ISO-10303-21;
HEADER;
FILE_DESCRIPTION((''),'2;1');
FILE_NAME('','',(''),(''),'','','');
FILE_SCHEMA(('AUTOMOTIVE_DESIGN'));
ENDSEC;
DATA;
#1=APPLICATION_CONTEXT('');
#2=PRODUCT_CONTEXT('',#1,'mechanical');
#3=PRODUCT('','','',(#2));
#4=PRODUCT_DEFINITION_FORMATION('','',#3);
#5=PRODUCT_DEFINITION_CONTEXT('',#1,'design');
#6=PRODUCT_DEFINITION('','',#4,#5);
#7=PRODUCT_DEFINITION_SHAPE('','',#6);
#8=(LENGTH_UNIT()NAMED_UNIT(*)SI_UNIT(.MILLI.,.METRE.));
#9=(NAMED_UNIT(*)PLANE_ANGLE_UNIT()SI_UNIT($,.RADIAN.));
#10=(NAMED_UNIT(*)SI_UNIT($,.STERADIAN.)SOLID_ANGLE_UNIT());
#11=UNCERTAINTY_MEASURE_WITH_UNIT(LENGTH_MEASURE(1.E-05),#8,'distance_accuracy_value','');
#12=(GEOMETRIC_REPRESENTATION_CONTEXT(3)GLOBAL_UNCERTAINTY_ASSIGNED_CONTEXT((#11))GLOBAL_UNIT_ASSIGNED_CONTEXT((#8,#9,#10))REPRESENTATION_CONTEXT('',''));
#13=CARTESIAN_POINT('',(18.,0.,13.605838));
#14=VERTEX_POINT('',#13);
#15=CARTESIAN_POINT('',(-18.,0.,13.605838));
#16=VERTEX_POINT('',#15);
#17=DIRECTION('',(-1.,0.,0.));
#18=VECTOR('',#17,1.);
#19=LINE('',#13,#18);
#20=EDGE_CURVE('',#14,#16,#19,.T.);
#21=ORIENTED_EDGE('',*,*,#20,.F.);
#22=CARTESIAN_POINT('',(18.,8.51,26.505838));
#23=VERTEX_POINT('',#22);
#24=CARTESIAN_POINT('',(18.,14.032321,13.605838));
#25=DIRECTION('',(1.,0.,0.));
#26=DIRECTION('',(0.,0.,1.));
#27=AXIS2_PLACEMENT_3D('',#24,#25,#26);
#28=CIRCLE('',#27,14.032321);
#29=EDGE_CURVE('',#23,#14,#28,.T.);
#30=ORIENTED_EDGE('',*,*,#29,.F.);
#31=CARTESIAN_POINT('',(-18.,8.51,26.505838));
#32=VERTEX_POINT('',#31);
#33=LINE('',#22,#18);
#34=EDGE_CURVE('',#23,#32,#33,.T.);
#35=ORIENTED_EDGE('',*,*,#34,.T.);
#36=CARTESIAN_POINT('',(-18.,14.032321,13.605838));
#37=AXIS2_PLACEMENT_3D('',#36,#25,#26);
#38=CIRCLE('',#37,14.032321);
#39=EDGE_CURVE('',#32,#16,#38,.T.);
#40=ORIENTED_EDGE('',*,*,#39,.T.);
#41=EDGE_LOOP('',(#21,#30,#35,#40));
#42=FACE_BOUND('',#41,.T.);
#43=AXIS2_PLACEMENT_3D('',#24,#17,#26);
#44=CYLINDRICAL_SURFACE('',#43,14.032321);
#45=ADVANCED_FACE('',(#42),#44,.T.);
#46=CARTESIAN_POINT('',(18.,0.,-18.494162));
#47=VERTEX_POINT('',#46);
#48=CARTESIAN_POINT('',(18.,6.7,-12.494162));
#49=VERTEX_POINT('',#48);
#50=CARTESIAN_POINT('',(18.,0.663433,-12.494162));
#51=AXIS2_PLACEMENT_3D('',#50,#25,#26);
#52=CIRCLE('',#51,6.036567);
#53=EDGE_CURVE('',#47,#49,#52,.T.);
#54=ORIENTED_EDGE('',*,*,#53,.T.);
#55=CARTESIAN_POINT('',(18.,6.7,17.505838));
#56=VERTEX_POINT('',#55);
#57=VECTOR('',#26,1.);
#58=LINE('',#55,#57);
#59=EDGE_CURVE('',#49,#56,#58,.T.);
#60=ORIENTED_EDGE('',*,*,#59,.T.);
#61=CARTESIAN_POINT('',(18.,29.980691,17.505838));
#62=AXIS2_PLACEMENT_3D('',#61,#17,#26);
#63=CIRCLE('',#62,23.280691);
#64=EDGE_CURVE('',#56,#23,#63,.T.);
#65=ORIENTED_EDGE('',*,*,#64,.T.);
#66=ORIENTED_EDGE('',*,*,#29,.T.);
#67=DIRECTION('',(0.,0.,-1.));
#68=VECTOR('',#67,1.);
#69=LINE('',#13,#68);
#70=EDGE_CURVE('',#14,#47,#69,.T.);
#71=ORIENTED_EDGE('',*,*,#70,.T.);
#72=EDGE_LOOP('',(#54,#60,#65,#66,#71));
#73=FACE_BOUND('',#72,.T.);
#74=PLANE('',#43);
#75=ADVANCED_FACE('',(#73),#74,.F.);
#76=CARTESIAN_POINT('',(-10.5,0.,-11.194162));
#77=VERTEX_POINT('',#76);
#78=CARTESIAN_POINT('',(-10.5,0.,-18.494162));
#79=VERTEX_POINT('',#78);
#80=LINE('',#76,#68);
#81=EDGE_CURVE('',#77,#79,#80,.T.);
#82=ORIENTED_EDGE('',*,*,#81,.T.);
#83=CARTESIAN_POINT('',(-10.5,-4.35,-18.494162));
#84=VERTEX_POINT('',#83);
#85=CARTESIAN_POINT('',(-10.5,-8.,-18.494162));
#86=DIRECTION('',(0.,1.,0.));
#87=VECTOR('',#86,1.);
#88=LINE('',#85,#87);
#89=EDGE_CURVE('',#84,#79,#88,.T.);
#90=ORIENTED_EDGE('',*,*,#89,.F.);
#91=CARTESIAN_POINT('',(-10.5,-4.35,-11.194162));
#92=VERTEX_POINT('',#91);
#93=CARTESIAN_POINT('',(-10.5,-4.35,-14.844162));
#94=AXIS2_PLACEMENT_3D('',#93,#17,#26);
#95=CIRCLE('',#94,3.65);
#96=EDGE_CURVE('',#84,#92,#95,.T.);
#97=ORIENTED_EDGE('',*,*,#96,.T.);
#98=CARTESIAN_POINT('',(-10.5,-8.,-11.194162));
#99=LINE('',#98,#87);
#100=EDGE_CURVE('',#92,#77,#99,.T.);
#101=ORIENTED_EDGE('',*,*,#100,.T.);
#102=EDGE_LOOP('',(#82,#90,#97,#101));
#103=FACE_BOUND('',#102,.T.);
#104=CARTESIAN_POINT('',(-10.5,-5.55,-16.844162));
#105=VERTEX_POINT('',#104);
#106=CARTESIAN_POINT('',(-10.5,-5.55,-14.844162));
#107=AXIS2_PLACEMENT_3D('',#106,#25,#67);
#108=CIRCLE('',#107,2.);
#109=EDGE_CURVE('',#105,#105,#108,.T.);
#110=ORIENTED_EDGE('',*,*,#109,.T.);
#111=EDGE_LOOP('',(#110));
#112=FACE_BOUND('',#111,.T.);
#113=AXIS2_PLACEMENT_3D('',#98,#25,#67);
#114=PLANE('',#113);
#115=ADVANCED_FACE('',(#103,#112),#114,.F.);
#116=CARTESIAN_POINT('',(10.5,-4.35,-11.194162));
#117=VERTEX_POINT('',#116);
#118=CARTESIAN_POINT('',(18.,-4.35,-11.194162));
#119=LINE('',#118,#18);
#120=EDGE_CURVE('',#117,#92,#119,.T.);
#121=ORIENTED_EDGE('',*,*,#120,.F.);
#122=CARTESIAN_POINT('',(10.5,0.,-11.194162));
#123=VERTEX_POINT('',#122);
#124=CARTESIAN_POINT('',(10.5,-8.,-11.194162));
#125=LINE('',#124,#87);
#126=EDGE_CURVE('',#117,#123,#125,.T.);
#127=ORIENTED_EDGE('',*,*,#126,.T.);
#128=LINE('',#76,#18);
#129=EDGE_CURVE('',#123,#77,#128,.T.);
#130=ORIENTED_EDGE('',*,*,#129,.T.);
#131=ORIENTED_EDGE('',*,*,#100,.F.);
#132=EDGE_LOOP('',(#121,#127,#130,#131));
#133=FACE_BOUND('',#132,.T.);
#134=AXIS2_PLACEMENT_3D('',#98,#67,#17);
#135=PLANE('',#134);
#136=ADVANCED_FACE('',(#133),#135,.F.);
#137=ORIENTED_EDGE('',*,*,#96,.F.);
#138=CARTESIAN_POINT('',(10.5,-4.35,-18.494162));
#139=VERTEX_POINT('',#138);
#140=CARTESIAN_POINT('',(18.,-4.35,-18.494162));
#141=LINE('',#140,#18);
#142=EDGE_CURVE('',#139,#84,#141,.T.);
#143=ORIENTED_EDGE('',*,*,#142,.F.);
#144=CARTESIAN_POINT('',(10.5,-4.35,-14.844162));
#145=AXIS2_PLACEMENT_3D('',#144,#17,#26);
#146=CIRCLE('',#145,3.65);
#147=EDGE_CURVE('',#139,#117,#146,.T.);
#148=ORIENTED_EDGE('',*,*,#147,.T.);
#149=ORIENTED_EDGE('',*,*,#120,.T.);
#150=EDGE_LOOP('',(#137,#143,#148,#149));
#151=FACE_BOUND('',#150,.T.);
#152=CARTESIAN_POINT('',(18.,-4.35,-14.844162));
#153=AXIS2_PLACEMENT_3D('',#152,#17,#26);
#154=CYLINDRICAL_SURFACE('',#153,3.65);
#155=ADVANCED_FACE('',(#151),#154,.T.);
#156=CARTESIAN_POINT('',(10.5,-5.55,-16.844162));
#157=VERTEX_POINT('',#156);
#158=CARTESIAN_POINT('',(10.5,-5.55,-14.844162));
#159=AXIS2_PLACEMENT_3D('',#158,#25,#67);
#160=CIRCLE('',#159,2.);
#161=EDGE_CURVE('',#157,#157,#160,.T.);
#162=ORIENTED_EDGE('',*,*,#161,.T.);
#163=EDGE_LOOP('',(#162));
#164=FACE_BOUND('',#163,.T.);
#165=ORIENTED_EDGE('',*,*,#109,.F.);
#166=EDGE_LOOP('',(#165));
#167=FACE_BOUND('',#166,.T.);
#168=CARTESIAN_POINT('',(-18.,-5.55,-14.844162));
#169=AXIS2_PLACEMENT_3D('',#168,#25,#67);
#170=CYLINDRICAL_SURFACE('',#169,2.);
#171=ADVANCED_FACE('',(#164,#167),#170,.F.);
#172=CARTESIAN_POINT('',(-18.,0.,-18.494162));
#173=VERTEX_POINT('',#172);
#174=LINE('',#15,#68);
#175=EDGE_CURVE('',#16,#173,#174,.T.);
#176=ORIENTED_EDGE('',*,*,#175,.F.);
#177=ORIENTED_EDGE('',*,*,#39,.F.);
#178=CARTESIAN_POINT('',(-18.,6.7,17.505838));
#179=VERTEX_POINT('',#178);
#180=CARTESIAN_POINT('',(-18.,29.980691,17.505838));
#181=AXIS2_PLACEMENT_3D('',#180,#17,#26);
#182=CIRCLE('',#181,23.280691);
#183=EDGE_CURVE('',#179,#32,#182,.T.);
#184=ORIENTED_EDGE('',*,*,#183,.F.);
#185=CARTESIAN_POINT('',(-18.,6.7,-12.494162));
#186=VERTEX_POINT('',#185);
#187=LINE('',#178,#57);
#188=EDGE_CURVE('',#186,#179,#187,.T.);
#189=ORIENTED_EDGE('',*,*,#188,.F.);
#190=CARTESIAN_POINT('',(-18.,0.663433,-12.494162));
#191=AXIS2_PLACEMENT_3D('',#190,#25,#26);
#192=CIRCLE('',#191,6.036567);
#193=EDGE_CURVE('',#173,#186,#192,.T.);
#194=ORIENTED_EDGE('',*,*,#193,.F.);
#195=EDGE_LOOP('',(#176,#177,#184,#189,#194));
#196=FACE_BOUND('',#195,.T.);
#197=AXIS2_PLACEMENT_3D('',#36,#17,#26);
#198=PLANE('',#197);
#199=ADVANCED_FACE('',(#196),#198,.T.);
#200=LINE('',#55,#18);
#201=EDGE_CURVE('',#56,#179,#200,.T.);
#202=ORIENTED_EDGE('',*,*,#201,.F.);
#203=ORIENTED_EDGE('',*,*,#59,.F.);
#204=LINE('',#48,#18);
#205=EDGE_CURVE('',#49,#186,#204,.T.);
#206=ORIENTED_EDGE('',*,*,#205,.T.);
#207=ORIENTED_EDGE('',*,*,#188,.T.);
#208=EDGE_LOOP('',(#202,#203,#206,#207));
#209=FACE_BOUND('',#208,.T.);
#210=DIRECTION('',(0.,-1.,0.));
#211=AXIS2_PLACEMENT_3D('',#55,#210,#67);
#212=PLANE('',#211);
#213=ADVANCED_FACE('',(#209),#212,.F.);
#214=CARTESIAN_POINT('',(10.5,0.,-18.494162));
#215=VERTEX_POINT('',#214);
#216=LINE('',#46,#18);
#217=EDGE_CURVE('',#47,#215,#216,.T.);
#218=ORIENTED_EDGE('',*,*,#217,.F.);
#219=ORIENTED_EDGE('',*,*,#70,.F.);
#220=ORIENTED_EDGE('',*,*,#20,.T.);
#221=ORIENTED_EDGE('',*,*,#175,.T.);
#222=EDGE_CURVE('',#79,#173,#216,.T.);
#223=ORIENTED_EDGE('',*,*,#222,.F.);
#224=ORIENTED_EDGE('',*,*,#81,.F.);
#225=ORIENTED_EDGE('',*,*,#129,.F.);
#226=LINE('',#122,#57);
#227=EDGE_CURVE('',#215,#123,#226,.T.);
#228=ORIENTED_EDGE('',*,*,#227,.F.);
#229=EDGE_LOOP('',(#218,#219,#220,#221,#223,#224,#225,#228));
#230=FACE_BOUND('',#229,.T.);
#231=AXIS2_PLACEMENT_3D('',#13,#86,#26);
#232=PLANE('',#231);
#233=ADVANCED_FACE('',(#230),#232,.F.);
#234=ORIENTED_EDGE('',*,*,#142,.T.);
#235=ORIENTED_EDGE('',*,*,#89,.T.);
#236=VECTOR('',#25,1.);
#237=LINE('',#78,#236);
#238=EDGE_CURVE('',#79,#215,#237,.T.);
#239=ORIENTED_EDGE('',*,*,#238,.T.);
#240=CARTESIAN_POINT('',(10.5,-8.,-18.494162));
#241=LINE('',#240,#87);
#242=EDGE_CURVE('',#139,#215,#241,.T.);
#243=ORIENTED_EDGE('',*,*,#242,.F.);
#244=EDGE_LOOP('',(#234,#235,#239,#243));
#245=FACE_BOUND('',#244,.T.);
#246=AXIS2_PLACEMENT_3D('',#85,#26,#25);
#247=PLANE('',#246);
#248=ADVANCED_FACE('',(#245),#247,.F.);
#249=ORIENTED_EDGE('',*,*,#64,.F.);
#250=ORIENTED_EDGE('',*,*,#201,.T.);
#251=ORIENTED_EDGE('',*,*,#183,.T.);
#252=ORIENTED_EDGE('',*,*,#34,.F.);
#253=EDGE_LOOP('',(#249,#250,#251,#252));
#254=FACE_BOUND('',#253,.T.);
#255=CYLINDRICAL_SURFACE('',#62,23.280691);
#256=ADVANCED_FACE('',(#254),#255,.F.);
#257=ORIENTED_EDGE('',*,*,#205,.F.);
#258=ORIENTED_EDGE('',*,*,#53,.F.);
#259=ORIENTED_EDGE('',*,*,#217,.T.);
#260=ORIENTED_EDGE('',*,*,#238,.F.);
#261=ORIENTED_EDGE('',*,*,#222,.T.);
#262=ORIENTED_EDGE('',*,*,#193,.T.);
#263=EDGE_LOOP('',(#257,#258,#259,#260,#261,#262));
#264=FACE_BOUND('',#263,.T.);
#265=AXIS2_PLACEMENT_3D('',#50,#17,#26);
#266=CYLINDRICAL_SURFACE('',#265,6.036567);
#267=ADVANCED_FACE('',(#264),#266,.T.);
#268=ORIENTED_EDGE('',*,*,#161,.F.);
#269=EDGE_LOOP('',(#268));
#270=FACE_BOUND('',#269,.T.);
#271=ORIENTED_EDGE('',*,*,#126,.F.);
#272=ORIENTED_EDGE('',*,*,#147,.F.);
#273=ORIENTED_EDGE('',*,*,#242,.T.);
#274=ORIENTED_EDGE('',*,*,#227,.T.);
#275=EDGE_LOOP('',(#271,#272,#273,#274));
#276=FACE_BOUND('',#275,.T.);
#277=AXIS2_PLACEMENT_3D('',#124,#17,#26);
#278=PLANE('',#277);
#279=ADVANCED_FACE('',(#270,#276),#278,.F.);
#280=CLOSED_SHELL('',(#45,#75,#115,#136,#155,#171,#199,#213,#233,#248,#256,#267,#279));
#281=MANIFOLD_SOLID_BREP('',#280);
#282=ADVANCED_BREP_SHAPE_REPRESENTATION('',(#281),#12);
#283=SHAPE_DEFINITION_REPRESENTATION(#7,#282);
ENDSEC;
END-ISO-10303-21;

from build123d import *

# Parameters (mm, degrees)
BOSS_EXTRUDE1_DEPTH = 18
SKETCH2_W           = 21
SKETCH2_H           = 7.3
BOSS_EXTRUDE2_DEPTH = 8
CUT_EXTRUDE1_DEPTH  = 29.5
SKETCH4_R           = 2
CUT_EXTRUDE2_DEPTH  = 29.5


with BuildPart() as part:
    # Sketch1 → Boss-Extrude1 (new body, symmetric)
    with BuildSketch(Plane(origin=(0, 0, 0), x_dir=(0, 0, -1), z_dir=(1, 0, 0))):
        with BuildLine():
            Line((-13.605837563, 0), (18.494162437, 0))
            ThreePointArc((18.494162437, 0), (16.991105843, 4.690546334), (12.494162437, 6.7))
            Line((12.494162437, 6.7), (-17.505837563, 6.7))
            ThreePointArc((-17.505837563, 6.7), (-22.095938325, 7.156985164), (-26.505837563, 8.51))
            ThreePointArc((-26.505837563, 8.51), (-21.332902013, 2.319144372), (-13.605837563, 0))
        make_face()
    extrude(amount=BOSS_EXTRUDE1_DEPTH, both=True)

    # Sketch2 → Boss-Extrude2 (add)
    with BuildSketch(Plane.XZ):
        with Locations((0, -14.844162437)):
            Rectangle(SKETCH2_W, SKETCH2_H)
    extrude(amount=BOSS_EXTRUDE2_DEPTH)

    # Sketch3 → Cut-Extrude1 (cut, through all)
    with BuildSketch(Plane.ZY.offset(10.5)):
        with BuildLine():
            Line((-18.494162437, -4.35), (-18.494162437, -8))
            Line((-18.494162437, -8), (-14.844162437, -8))
            ThreePointArc((-14.844162437, -8), (-17.425102188, -6.930939751), (-18.494162437, -4.35))
        make_face()
        with BuildLine():
            ThreePointArc((-11.194162437, -4.35), (-12.263222685, -6.930939751), (-14.844162437, -8))
            Line((-14.844162437, -8), (-11.194162437, -8))
            Line((-11.194162437, -8), (-11.194162437, -4.35))
        make_face()
    extrude(amount=-CUT_EXTRUDE1_DEPTH, mode=Mode.SUBTRACT)

    # Sketch4 → Cut-Extrude2 (cut, through all)
    with BuildSketch(Plane(origin=(10.5, 0, 0), x_dir=(0, 0, -1), z_dir=(1, 0, 0))):
        with Locations((14.844162437, -5.55)):
            Circle(SKETCH4_R)
    extrude(amount=-CUT_EXTRUDE2_DEPTH, mode=Mode.SUBTRACT)


solid = part.part
